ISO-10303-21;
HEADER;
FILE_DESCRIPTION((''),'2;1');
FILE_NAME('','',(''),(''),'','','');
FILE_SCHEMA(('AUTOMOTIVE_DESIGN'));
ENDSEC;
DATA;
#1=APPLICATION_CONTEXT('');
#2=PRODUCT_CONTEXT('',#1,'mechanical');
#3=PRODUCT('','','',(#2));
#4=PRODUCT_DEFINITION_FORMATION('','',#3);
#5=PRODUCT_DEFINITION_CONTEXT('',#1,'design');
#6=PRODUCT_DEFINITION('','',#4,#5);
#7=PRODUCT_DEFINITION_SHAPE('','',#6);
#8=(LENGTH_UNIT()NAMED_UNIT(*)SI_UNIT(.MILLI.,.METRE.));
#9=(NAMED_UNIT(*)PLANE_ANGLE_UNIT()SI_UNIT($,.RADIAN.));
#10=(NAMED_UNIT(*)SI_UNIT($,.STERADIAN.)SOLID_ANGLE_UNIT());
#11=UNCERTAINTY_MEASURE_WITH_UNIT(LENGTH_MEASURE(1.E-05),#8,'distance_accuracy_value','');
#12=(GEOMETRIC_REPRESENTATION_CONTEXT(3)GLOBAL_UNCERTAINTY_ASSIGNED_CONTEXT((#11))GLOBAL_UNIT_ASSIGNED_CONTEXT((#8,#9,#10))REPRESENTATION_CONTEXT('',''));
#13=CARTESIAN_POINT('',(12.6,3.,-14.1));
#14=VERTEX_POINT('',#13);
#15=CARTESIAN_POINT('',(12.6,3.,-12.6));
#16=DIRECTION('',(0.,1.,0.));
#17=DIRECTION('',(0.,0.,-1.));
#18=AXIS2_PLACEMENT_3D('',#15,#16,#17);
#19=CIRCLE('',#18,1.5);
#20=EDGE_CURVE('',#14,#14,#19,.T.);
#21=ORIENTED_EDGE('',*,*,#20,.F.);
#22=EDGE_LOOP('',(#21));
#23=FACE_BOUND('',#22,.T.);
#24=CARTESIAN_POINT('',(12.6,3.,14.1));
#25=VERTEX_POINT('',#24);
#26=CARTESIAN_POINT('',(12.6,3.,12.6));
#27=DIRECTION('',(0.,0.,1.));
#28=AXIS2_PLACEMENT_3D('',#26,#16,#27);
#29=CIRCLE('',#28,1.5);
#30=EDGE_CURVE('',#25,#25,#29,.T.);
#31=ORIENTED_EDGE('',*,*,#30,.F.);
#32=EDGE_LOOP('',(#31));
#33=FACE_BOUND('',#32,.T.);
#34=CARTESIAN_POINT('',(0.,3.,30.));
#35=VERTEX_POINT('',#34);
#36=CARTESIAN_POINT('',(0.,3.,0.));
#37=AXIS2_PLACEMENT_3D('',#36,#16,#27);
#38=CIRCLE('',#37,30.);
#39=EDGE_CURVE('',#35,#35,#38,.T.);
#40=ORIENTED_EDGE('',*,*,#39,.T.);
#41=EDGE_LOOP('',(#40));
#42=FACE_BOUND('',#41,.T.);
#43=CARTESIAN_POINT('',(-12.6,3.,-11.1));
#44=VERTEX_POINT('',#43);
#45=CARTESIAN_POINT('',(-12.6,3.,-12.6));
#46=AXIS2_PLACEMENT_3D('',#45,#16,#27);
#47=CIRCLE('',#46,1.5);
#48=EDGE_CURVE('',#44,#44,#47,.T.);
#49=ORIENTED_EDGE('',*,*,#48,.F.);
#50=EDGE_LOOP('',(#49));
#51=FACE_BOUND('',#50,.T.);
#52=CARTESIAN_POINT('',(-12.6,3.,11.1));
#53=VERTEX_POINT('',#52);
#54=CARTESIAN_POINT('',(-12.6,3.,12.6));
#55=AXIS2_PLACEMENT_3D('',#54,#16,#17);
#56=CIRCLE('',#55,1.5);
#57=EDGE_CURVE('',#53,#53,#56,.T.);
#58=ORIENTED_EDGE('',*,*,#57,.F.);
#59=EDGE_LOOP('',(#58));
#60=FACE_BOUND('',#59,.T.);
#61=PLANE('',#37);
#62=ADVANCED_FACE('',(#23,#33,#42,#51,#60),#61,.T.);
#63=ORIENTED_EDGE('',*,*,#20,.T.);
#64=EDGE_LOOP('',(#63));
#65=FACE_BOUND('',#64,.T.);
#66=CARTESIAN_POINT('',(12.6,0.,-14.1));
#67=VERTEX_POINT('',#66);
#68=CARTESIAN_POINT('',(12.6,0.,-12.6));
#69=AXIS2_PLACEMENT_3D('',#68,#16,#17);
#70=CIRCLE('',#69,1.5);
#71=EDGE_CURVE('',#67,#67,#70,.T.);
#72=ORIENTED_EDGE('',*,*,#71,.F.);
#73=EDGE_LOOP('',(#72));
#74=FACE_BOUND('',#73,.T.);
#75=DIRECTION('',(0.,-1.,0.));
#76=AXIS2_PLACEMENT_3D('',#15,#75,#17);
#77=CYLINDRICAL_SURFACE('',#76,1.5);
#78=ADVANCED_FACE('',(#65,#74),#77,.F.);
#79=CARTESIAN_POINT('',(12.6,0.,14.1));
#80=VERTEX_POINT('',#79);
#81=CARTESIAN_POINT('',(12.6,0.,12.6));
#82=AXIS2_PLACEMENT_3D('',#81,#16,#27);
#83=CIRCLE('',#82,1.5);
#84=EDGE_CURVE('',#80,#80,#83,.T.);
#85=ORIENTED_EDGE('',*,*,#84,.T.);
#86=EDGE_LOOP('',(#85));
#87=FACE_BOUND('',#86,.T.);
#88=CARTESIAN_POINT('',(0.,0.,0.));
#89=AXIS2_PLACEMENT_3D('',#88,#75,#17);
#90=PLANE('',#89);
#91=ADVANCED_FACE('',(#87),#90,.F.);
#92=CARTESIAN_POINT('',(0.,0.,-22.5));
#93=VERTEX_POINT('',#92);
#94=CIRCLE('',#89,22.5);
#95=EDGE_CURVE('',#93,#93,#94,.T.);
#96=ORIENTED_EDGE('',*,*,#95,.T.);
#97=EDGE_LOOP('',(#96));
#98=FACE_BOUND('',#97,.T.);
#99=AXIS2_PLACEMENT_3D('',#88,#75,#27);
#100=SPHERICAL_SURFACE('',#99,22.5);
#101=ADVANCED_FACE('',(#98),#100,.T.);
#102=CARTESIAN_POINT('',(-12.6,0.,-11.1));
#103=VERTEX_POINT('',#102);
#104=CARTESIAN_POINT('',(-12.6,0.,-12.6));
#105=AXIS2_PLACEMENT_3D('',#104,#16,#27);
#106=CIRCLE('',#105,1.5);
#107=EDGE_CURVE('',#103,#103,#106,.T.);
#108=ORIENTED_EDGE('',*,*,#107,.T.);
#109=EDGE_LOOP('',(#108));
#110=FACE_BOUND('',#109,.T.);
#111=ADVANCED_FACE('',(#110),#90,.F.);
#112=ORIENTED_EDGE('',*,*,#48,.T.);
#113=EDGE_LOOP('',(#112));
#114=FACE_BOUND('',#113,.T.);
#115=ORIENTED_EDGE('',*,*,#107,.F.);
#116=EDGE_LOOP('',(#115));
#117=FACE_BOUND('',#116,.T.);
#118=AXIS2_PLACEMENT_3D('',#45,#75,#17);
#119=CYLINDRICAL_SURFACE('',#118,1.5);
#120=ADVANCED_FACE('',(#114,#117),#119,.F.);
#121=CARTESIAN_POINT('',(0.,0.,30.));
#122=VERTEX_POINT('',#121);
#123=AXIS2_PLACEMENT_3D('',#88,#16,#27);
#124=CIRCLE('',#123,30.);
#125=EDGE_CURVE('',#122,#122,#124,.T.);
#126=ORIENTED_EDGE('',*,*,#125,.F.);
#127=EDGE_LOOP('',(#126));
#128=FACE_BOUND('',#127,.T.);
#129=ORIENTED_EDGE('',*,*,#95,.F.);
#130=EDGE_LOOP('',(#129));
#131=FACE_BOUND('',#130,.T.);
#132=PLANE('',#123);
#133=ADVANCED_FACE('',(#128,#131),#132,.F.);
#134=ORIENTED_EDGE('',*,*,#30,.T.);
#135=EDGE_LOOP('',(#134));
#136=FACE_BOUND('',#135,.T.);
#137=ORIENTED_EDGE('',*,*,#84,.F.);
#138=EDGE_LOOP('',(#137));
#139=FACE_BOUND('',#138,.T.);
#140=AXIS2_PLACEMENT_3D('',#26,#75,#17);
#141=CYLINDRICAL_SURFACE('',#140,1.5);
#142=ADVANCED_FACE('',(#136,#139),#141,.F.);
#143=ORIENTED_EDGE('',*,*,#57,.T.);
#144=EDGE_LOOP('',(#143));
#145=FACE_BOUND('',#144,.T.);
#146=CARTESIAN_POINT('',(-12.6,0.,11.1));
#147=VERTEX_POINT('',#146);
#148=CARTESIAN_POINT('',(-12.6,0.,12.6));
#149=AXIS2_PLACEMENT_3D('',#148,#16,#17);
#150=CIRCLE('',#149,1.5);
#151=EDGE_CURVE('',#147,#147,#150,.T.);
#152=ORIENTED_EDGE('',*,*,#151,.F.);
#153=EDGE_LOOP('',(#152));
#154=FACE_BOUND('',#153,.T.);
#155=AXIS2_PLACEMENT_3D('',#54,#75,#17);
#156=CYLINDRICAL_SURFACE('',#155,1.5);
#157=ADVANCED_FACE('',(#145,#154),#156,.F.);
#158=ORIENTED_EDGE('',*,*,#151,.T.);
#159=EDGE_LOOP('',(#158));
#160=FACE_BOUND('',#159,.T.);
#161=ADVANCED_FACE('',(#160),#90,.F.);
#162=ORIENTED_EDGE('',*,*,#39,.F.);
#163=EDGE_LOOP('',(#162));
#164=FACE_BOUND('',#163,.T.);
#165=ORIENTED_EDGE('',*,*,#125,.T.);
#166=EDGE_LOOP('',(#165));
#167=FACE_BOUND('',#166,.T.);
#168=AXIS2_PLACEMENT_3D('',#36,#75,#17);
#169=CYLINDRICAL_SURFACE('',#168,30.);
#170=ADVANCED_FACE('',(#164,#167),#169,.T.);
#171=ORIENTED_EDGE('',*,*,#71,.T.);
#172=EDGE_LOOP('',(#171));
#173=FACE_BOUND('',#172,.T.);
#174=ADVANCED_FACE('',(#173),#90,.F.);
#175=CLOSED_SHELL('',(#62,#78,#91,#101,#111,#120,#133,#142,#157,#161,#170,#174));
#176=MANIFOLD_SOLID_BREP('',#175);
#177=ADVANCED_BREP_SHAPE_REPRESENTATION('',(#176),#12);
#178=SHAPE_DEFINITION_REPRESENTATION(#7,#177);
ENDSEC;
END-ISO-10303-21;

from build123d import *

# Parameters (mm, degrees)
SKETCH_1_R      = 30
SKETCH_1_R_2    = 1.5
EXTRUDE_1_DEPTH = 3


with BuildPart() as part:
    # 草图1 → 凸台-拉伸1 (new body)
    with BuildSketch(Plane(origin=(0, 0, 0), x_dir=(1, 0, 0), z_dir=(0, 1, 0))):
        Circle(SKETCH_1_R)
        with Locations((-12.6, 12.6)):
            Circle(SKETCH_1_R_2, mode=Mode.SUBTRACT)
        with Locations((12.6, 12.6)):
            Circle(SKETCH_1_R_2, mode=Mode.SUBTRACT)
        with Locations((12.6, -12.6)):
            Circle(SKETCH_1_R_2, mode=Mode.SUBTRACT)
        with Locations((-12.6, -12.6)):
            Circle(SKETCH_1_R_2, mode=Mode.SUBTRACT)
    extrude(amount=EXTRUDE_1_DEPTH)

    # 草图3 → 旋转1 (revolve)
    with BuildSketch(Plane(origin=(0, 0, 0), x_dir=(0, 0, -1), z_dir=(1, 0, 0))):
        with BuildLine():
            Line((0, -22.5), (0, 0))
            Line((0, 0), (22.5, 0))
            ThreePointArc((22.5, 0), (15.909902577, -15.909902577), (0, -22.5))
        make_face()
    revolve(axis=Axis((0, 15, 0), (0, 1, 0)))


solid = part.part
